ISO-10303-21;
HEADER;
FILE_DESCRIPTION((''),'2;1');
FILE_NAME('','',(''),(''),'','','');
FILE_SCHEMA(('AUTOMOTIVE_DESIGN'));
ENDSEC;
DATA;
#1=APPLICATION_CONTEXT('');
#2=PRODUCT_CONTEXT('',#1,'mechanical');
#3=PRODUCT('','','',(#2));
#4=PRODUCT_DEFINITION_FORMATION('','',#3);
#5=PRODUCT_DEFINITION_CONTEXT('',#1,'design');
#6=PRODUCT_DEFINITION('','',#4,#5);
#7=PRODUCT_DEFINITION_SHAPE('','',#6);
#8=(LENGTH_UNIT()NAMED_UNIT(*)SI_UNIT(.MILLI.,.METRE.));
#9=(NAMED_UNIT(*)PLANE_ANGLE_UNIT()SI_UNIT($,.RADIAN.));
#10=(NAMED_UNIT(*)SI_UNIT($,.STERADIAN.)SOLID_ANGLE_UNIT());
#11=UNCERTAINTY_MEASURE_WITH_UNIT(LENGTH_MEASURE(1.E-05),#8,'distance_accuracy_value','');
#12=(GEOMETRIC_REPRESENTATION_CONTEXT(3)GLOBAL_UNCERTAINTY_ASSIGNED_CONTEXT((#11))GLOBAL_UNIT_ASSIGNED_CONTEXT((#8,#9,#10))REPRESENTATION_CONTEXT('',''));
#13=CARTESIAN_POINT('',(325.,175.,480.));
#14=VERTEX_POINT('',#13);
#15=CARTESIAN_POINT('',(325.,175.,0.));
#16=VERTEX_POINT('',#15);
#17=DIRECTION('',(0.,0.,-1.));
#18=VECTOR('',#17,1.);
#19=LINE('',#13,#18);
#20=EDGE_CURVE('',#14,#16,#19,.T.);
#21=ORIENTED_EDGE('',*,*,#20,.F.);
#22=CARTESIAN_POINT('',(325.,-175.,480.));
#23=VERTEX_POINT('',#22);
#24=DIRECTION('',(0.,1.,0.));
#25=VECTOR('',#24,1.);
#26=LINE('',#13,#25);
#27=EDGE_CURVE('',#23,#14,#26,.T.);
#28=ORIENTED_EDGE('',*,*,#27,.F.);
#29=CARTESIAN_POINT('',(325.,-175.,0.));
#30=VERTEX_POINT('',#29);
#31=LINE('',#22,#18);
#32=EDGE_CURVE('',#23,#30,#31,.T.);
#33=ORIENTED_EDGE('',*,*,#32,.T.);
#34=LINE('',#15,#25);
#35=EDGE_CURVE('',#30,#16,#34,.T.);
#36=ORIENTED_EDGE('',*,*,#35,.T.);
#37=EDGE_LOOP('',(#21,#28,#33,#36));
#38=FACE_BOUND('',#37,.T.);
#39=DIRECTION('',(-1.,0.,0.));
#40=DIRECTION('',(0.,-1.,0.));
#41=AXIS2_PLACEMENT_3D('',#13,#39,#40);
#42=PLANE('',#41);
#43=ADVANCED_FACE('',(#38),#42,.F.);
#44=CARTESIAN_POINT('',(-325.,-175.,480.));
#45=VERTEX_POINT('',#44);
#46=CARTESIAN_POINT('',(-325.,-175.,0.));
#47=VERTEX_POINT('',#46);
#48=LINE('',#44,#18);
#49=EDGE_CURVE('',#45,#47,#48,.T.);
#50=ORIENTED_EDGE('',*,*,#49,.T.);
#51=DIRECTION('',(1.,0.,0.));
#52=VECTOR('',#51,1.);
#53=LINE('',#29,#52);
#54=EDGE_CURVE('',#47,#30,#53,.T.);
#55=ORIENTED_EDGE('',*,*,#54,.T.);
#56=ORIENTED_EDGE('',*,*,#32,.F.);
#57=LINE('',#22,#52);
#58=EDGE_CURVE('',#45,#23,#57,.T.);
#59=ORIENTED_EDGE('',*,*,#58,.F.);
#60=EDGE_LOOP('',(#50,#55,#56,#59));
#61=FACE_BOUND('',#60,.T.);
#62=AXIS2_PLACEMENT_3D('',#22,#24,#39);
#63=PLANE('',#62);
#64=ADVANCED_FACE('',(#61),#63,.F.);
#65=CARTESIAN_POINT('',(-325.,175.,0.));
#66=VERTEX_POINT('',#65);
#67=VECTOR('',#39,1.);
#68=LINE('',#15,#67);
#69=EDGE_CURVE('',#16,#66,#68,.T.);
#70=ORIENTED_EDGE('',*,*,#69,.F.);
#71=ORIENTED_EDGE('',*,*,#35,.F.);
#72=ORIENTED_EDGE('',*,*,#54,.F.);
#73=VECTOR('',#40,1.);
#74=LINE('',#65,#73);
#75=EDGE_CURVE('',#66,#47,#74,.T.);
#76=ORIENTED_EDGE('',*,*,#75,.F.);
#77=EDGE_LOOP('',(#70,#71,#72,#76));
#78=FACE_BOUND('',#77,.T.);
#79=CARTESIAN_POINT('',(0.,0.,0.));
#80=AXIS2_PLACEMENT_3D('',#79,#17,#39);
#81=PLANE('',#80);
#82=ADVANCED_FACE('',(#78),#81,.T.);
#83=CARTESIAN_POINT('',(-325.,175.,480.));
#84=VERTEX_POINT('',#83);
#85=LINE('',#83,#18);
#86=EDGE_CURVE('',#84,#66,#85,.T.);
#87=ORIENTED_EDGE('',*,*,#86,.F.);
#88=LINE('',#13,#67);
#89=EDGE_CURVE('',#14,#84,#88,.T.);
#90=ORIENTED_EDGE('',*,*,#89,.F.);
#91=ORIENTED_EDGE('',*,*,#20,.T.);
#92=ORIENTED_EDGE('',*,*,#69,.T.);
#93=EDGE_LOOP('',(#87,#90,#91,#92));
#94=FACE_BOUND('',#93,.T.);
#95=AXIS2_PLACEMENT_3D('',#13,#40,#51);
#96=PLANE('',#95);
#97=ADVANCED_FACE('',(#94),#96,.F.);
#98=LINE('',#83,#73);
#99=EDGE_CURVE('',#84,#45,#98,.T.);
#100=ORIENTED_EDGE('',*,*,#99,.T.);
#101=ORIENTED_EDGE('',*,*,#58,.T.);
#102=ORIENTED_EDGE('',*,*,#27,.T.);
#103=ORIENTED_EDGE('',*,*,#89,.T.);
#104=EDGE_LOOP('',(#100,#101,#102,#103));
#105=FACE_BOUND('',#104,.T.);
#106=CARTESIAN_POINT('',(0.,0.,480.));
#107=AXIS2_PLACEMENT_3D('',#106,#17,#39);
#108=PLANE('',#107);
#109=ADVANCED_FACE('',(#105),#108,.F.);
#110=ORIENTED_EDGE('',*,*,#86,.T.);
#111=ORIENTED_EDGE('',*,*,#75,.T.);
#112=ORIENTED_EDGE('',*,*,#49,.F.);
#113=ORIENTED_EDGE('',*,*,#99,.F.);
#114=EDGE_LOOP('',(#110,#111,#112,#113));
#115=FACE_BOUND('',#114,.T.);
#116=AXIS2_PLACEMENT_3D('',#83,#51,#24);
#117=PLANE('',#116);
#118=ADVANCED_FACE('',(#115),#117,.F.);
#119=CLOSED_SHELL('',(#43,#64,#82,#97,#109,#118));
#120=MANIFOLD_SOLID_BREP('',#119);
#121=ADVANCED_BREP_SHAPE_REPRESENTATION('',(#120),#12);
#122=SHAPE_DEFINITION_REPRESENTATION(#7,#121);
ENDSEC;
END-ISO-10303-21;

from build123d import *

# Parameters (mm, degrees)
SKIZZE1_W                       = 650
SKIZZE1_H                       = 350
AUFSATZ_LINEAR_AUSTRAGEN1_DEPTH = 480


with BuildPart() as part:
    # Skizze1 → Aufsatz-Linear austragen1 (new body)
    with BuildSketch(Plane.XY):
        Rectangle(SKIZZE1_W, SKIZZE1_H)
    extrude(amount=AUFSATZ_LINEAR_AUSTRAGEN1_DEPTH)


solid = part.part
